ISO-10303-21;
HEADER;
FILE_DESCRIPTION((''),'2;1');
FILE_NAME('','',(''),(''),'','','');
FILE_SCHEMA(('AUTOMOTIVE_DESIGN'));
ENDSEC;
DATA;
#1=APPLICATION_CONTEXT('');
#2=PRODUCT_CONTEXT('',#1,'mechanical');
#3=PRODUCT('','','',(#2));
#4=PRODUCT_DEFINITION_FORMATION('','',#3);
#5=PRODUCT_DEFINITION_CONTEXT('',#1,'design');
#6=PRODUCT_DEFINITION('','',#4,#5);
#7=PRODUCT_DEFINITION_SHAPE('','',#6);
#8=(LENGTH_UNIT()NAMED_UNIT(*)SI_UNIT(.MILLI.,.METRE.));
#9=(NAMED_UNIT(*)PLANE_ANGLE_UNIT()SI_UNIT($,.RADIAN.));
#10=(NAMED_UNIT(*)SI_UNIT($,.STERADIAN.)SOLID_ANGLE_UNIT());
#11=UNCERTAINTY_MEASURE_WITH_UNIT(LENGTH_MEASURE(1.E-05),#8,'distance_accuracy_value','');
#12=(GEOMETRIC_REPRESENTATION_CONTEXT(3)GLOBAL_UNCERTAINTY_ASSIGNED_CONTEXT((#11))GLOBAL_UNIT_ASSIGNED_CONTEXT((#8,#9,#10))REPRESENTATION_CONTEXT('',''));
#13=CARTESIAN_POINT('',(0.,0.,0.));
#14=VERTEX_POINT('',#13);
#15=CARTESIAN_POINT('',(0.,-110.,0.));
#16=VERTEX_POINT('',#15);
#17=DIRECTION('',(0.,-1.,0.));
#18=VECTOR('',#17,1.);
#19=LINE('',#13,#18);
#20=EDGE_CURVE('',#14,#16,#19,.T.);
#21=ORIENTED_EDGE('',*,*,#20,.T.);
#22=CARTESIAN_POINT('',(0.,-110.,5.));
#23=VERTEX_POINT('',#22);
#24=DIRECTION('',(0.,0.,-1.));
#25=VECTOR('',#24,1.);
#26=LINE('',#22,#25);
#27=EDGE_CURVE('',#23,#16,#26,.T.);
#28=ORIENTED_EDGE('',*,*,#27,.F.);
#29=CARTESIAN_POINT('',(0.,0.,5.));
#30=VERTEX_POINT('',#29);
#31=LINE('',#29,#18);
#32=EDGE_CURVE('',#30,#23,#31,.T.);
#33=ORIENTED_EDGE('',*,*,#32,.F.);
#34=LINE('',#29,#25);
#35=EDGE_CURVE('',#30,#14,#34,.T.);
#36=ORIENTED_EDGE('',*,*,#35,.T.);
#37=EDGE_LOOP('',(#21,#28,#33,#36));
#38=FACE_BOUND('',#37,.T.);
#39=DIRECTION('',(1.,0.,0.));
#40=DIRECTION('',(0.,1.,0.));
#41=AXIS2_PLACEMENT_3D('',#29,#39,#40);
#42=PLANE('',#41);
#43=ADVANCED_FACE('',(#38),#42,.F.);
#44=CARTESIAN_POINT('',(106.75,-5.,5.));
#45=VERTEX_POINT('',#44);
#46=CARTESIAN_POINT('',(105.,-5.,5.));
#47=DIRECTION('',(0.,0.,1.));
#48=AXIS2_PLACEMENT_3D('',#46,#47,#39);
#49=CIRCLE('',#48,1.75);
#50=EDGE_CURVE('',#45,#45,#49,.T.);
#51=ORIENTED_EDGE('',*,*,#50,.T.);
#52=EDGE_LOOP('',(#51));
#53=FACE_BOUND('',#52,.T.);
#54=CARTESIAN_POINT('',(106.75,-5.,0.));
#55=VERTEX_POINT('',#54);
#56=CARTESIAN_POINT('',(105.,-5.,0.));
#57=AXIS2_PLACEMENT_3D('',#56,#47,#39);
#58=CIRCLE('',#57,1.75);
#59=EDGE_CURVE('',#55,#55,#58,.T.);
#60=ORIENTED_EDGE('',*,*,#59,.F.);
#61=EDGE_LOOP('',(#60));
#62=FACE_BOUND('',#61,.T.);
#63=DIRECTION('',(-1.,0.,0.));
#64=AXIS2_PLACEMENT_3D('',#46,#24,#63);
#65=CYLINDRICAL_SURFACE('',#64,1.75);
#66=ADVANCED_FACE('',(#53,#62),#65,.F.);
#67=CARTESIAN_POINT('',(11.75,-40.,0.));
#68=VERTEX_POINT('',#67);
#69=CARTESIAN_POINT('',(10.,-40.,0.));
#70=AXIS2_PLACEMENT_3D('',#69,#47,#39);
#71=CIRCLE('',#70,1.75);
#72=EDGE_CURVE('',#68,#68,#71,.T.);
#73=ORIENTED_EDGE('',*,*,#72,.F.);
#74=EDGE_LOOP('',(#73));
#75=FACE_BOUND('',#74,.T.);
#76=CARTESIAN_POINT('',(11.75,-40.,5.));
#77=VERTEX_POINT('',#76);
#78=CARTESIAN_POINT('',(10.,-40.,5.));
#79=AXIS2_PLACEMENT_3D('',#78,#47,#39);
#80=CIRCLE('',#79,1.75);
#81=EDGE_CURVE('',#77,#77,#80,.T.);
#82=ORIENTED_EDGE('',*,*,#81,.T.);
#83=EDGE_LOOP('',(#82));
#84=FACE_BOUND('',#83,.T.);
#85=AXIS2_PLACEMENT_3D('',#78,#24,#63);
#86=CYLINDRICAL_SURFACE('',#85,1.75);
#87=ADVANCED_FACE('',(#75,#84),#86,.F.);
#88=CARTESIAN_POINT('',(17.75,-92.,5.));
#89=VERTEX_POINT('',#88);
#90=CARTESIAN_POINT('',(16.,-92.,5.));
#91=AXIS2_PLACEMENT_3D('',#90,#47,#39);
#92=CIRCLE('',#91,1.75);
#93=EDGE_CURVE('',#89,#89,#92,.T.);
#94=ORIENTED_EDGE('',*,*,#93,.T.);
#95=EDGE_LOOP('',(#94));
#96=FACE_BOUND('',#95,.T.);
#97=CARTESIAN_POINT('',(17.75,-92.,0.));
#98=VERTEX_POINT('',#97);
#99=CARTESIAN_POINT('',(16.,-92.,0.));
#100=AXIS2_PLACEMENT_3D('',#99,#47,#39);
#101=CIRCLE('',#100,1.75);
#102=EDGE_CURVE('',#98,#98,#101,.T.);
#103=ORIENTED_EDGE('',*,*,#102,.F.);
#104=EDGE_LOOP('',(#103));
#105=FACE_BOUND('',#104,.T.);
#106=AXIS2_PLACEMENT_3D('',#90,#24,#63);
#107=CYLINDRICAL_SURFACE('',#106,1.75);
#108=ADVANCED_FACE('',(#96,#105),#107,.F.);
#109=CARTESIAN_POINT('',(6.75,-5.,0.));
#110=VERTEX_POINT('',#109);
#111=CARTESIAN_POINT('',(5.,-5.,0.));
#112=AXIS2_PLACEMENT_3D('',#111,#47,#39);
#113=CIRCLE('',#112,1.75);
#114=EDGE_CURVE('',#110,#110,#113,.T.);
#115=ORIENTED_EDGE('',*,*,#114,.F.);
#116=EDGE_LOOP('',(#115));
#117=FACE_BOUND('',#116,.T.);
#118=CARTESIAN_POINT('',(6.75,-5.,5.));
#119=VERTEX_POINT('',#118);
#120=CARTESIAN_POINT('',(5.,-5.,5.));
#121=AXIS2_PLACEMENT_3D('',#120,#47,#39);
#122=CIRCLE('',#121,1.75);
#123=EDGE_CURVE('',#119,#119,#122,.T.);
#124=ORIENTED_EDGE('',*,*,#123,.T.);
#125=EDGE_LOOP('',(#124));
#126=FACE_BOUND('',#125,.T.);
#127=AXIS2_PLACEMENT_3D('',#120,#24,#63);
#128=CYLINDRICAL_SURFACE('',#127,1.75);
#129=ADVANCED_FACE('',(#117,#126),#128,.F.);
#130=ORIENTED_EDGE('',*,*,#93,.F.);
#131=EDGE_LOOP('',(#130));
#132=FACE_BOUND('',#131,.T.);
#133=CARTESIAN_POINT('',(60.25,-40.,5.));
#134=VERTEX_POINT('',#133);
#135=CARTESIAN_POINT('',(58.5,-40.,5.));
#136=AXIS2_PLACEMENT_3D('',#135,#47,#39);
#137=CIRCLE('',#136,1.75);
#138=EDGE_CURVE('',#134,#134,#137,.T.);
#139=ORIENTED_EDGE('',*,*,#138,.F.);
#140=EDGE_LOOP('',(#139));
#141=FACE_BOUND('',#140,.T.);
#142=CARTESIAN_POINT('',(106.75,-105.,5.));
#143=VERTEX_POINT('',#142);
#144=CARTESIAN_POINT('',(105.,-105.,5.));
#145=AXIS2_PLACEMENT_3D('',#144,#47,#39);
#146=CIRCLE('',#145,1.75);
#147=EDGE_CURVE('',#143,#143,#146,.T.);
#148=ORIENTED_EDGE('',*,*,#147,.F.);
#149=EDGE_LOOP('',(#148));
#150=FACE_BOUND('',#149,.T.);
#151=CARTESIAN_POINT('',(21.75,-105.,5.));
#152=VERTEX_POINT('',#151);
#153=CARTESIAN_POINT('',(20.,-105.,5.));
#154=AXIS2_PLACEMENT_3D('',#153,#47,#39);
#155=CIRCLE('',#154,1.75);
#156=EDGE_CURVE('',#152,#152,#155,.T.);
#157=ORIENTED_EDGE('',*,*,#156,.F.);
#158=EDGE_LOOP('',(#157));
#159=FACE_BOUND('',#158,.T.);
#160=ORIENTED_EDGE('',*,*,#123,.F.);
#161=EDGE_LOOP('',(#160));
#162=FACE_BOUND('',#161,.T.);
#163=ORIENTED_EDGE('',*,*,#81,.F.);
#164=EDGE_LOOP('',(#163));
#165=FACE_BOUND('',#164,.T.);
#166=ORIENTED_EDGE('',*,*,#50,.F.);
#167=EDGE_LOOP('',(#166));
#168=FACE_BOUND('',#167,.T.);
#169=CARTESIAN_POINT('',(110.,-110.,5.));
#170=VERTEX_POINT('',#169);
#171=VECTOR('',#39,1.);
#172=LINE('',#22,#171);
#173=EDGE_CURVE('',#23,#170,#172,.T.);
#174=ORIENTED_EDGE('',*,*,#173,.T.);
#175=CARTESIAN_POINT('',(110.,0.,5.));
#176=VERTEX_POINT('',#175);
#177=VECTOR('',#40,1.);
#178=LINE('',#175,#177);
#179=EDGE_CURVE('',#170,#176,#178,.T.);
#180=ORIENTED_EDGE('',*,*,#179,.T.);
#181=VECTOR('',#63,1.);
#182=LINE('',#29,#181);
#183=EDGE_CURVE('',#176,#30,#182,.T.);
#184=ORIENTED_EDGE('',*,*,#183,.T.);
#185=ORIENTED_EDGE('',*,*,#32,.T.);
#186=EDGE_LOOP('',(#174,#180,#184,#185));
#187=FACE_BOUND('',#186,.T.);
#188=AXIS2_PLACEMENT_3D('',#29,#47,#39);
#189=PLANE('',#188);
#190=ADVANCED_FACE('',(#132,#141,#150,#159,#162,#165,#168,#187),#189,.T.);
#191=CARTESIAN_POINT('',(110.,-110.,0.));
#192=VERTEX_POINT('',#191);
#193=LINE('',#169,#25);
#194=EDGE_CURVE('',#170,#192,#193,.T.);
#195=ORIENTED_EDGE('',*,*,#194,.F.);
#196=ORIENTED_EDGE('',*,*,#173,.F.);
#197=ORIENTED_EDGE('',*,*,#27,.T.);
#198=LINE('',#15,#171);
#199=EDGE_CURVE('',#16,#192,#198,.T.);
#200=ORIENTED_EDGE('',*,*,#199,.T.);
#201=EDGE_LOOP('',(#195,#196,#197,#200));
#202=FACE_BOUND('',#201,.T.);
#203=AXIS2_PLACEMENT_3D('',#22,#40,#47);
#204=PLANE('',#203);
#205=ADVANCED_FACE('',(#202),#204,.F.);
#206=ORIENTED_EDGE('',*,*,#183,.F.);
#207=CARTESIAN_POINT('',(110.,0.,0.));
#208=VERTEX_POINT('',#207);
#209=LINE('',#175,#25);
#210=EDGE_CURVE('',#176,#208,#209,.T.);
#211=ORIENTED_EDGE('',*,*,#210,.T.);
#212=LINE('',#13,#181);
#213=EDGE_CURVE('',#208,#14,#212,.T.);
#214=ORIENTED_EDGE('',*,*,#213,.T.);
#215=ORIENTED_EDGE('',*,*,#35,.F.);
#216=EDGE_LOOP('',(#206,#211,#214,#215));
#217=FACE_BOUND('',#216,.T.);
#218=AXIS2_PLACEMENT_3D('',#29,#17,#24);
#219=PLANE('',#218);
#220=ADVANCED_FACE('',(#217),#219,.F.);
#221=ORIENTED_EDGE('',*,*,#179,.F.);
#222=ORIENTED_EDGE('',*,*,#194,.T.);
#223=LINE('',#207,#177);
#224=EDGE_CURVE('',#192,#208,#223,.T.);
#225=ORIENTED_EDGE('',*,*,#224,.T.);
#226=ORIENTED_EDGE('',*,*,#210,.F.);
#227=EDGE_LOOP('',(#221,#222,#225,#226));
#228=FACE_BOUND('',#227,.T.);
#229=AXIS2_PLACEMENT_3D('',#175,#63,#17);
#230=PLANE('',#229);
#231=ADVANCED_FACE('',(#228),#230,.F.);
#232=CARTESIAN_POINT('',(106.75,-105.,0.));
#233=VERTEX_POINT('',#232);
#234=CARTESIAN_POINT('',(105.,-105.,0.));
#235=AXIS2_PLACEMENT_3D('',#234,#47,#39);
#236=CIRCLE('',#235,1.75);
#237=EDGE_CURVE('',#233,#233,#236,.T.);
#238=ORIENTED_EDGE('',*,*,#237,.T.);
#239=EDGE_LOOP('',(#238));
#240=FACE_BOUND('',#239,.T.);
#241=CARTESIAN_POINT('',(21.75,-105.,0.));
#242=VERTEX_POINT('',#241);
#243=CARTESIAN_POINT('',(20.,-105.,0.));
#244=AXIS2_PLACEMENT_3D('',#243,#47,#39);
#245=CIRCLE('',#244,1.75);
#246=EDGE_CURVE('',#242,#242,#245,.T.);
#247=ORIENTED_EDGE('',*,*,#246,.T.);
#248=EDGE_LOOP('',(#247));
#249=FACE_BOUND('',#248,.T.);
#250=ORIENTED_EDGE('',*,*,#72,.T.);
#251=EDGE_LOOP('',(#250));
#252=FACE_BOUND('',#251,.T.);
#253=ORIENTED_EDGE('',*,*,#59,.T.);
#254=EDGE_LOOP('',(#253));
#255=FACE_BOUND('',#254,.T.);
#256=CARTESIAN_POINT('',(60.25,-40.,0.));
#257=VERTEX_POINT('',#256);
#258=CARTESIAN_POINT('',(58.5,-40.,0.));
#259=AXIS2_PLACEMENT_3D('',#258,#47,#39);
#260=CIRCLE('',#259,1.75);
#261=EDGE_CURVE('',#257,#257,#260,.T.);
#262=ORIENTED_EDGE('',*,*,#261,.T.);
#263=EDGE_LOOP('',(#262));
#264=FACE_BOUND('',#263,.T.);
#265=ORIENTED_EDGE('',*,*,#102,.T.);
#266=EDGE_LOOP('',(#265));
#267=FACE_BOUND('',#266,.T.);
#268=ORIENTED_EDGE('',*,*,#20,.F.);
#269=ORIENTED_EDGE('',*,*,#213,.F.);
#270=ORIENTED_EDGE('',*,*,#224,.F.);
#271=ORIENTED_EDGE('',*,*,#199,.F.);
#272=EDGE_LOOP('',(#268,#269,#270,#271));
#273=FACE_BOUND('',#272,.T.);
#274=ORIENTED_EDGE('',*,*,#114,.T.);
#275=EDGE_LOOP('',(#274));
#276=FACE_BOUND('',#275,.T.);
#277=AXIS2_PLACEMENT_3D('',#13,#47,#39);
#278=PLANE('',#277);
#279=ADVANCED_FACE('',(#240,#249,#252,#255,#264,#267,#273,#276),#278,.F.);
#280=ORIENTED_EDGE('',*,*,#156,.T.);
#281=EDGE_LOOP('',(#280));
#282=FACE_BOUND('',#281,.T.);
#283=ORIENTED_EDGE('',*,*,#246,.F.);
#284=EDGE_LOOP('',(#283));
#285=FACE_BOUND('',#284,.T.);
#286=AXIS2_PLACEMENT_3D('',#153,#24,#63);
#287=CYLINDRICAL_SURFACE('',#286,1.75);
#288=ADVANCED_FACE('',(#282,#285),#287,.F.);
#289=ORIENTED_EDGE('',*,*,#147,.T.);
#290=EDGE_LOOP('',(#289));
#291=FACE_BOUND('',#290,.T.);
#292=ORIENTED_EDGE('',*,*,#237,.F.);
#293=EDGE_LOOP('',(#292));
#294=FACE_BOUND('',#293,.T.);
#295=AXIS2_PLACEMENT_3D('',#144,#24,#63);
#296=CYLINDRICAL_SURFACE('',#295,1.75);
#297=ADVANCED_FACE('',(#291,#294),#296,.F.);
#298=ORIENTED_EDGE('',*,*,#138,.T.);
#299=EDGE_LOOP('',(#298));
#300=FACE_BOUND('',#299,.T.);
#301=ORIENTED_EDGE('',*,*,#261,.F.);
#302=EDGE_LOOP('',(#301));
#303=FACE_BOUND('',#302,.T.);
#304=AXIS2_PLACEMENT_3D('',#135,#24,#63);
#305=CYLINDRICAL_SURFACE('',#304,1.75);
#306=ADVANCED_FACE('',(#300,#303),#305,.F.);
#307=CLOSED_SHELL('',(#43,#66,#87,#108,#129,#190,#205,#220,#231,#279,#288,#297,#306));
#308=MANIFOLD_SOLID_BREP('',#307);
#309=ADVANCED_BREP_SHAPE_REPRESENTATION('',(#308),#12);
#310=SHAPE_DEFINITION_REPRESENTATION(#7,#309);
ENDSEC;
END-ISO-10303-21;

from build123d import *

# Parameters (mm, degrees)
SKETCH_1_W      = 110
SKETCH_1_H      = 110
SKETCH_1_R      = 1.75
EXTRUDE_1_DEPTH = 5


with BuildPart() as part:
    # 草图1 → 凸台-拉伸1 (new body)
    with BuildSketch(Plane.XY):
        with Locations((55, -55)):
            Rectangle(SKETCH_1_W, SKETCH_1_H)
        with Locations((5, -5)):
            Circle(SKETCH_1_R, mode=Mode.SUBTRACT)
        with Locations((105, -5)):
            Circle(SKETCH_1_R, mode=Mode.SUBTRACT)
        with Locations((20, -105)):
            Circle(SKETCH_1_R, mode=Mode.SUBTRACT)
        with Locations((105, -105)):
            Circle(SKETCH_1_R, mode=Mode.SUBTRACT)
        with Locations((10, -40)):
            Circle(SKETCH_1_R, mode=Mode.SUBTRACT)
        with Locations((58.5, -40)):
            Circle(SKETCH_1_R, mode=Mode.SUBTRACT)
        with Locations((16, -92)):
            Circle(SKETCH_1_R, mode=Mode.SUBTRACT)
    extrude(amount=EXTRUDE_1_DEPTH)


solid = part.part
